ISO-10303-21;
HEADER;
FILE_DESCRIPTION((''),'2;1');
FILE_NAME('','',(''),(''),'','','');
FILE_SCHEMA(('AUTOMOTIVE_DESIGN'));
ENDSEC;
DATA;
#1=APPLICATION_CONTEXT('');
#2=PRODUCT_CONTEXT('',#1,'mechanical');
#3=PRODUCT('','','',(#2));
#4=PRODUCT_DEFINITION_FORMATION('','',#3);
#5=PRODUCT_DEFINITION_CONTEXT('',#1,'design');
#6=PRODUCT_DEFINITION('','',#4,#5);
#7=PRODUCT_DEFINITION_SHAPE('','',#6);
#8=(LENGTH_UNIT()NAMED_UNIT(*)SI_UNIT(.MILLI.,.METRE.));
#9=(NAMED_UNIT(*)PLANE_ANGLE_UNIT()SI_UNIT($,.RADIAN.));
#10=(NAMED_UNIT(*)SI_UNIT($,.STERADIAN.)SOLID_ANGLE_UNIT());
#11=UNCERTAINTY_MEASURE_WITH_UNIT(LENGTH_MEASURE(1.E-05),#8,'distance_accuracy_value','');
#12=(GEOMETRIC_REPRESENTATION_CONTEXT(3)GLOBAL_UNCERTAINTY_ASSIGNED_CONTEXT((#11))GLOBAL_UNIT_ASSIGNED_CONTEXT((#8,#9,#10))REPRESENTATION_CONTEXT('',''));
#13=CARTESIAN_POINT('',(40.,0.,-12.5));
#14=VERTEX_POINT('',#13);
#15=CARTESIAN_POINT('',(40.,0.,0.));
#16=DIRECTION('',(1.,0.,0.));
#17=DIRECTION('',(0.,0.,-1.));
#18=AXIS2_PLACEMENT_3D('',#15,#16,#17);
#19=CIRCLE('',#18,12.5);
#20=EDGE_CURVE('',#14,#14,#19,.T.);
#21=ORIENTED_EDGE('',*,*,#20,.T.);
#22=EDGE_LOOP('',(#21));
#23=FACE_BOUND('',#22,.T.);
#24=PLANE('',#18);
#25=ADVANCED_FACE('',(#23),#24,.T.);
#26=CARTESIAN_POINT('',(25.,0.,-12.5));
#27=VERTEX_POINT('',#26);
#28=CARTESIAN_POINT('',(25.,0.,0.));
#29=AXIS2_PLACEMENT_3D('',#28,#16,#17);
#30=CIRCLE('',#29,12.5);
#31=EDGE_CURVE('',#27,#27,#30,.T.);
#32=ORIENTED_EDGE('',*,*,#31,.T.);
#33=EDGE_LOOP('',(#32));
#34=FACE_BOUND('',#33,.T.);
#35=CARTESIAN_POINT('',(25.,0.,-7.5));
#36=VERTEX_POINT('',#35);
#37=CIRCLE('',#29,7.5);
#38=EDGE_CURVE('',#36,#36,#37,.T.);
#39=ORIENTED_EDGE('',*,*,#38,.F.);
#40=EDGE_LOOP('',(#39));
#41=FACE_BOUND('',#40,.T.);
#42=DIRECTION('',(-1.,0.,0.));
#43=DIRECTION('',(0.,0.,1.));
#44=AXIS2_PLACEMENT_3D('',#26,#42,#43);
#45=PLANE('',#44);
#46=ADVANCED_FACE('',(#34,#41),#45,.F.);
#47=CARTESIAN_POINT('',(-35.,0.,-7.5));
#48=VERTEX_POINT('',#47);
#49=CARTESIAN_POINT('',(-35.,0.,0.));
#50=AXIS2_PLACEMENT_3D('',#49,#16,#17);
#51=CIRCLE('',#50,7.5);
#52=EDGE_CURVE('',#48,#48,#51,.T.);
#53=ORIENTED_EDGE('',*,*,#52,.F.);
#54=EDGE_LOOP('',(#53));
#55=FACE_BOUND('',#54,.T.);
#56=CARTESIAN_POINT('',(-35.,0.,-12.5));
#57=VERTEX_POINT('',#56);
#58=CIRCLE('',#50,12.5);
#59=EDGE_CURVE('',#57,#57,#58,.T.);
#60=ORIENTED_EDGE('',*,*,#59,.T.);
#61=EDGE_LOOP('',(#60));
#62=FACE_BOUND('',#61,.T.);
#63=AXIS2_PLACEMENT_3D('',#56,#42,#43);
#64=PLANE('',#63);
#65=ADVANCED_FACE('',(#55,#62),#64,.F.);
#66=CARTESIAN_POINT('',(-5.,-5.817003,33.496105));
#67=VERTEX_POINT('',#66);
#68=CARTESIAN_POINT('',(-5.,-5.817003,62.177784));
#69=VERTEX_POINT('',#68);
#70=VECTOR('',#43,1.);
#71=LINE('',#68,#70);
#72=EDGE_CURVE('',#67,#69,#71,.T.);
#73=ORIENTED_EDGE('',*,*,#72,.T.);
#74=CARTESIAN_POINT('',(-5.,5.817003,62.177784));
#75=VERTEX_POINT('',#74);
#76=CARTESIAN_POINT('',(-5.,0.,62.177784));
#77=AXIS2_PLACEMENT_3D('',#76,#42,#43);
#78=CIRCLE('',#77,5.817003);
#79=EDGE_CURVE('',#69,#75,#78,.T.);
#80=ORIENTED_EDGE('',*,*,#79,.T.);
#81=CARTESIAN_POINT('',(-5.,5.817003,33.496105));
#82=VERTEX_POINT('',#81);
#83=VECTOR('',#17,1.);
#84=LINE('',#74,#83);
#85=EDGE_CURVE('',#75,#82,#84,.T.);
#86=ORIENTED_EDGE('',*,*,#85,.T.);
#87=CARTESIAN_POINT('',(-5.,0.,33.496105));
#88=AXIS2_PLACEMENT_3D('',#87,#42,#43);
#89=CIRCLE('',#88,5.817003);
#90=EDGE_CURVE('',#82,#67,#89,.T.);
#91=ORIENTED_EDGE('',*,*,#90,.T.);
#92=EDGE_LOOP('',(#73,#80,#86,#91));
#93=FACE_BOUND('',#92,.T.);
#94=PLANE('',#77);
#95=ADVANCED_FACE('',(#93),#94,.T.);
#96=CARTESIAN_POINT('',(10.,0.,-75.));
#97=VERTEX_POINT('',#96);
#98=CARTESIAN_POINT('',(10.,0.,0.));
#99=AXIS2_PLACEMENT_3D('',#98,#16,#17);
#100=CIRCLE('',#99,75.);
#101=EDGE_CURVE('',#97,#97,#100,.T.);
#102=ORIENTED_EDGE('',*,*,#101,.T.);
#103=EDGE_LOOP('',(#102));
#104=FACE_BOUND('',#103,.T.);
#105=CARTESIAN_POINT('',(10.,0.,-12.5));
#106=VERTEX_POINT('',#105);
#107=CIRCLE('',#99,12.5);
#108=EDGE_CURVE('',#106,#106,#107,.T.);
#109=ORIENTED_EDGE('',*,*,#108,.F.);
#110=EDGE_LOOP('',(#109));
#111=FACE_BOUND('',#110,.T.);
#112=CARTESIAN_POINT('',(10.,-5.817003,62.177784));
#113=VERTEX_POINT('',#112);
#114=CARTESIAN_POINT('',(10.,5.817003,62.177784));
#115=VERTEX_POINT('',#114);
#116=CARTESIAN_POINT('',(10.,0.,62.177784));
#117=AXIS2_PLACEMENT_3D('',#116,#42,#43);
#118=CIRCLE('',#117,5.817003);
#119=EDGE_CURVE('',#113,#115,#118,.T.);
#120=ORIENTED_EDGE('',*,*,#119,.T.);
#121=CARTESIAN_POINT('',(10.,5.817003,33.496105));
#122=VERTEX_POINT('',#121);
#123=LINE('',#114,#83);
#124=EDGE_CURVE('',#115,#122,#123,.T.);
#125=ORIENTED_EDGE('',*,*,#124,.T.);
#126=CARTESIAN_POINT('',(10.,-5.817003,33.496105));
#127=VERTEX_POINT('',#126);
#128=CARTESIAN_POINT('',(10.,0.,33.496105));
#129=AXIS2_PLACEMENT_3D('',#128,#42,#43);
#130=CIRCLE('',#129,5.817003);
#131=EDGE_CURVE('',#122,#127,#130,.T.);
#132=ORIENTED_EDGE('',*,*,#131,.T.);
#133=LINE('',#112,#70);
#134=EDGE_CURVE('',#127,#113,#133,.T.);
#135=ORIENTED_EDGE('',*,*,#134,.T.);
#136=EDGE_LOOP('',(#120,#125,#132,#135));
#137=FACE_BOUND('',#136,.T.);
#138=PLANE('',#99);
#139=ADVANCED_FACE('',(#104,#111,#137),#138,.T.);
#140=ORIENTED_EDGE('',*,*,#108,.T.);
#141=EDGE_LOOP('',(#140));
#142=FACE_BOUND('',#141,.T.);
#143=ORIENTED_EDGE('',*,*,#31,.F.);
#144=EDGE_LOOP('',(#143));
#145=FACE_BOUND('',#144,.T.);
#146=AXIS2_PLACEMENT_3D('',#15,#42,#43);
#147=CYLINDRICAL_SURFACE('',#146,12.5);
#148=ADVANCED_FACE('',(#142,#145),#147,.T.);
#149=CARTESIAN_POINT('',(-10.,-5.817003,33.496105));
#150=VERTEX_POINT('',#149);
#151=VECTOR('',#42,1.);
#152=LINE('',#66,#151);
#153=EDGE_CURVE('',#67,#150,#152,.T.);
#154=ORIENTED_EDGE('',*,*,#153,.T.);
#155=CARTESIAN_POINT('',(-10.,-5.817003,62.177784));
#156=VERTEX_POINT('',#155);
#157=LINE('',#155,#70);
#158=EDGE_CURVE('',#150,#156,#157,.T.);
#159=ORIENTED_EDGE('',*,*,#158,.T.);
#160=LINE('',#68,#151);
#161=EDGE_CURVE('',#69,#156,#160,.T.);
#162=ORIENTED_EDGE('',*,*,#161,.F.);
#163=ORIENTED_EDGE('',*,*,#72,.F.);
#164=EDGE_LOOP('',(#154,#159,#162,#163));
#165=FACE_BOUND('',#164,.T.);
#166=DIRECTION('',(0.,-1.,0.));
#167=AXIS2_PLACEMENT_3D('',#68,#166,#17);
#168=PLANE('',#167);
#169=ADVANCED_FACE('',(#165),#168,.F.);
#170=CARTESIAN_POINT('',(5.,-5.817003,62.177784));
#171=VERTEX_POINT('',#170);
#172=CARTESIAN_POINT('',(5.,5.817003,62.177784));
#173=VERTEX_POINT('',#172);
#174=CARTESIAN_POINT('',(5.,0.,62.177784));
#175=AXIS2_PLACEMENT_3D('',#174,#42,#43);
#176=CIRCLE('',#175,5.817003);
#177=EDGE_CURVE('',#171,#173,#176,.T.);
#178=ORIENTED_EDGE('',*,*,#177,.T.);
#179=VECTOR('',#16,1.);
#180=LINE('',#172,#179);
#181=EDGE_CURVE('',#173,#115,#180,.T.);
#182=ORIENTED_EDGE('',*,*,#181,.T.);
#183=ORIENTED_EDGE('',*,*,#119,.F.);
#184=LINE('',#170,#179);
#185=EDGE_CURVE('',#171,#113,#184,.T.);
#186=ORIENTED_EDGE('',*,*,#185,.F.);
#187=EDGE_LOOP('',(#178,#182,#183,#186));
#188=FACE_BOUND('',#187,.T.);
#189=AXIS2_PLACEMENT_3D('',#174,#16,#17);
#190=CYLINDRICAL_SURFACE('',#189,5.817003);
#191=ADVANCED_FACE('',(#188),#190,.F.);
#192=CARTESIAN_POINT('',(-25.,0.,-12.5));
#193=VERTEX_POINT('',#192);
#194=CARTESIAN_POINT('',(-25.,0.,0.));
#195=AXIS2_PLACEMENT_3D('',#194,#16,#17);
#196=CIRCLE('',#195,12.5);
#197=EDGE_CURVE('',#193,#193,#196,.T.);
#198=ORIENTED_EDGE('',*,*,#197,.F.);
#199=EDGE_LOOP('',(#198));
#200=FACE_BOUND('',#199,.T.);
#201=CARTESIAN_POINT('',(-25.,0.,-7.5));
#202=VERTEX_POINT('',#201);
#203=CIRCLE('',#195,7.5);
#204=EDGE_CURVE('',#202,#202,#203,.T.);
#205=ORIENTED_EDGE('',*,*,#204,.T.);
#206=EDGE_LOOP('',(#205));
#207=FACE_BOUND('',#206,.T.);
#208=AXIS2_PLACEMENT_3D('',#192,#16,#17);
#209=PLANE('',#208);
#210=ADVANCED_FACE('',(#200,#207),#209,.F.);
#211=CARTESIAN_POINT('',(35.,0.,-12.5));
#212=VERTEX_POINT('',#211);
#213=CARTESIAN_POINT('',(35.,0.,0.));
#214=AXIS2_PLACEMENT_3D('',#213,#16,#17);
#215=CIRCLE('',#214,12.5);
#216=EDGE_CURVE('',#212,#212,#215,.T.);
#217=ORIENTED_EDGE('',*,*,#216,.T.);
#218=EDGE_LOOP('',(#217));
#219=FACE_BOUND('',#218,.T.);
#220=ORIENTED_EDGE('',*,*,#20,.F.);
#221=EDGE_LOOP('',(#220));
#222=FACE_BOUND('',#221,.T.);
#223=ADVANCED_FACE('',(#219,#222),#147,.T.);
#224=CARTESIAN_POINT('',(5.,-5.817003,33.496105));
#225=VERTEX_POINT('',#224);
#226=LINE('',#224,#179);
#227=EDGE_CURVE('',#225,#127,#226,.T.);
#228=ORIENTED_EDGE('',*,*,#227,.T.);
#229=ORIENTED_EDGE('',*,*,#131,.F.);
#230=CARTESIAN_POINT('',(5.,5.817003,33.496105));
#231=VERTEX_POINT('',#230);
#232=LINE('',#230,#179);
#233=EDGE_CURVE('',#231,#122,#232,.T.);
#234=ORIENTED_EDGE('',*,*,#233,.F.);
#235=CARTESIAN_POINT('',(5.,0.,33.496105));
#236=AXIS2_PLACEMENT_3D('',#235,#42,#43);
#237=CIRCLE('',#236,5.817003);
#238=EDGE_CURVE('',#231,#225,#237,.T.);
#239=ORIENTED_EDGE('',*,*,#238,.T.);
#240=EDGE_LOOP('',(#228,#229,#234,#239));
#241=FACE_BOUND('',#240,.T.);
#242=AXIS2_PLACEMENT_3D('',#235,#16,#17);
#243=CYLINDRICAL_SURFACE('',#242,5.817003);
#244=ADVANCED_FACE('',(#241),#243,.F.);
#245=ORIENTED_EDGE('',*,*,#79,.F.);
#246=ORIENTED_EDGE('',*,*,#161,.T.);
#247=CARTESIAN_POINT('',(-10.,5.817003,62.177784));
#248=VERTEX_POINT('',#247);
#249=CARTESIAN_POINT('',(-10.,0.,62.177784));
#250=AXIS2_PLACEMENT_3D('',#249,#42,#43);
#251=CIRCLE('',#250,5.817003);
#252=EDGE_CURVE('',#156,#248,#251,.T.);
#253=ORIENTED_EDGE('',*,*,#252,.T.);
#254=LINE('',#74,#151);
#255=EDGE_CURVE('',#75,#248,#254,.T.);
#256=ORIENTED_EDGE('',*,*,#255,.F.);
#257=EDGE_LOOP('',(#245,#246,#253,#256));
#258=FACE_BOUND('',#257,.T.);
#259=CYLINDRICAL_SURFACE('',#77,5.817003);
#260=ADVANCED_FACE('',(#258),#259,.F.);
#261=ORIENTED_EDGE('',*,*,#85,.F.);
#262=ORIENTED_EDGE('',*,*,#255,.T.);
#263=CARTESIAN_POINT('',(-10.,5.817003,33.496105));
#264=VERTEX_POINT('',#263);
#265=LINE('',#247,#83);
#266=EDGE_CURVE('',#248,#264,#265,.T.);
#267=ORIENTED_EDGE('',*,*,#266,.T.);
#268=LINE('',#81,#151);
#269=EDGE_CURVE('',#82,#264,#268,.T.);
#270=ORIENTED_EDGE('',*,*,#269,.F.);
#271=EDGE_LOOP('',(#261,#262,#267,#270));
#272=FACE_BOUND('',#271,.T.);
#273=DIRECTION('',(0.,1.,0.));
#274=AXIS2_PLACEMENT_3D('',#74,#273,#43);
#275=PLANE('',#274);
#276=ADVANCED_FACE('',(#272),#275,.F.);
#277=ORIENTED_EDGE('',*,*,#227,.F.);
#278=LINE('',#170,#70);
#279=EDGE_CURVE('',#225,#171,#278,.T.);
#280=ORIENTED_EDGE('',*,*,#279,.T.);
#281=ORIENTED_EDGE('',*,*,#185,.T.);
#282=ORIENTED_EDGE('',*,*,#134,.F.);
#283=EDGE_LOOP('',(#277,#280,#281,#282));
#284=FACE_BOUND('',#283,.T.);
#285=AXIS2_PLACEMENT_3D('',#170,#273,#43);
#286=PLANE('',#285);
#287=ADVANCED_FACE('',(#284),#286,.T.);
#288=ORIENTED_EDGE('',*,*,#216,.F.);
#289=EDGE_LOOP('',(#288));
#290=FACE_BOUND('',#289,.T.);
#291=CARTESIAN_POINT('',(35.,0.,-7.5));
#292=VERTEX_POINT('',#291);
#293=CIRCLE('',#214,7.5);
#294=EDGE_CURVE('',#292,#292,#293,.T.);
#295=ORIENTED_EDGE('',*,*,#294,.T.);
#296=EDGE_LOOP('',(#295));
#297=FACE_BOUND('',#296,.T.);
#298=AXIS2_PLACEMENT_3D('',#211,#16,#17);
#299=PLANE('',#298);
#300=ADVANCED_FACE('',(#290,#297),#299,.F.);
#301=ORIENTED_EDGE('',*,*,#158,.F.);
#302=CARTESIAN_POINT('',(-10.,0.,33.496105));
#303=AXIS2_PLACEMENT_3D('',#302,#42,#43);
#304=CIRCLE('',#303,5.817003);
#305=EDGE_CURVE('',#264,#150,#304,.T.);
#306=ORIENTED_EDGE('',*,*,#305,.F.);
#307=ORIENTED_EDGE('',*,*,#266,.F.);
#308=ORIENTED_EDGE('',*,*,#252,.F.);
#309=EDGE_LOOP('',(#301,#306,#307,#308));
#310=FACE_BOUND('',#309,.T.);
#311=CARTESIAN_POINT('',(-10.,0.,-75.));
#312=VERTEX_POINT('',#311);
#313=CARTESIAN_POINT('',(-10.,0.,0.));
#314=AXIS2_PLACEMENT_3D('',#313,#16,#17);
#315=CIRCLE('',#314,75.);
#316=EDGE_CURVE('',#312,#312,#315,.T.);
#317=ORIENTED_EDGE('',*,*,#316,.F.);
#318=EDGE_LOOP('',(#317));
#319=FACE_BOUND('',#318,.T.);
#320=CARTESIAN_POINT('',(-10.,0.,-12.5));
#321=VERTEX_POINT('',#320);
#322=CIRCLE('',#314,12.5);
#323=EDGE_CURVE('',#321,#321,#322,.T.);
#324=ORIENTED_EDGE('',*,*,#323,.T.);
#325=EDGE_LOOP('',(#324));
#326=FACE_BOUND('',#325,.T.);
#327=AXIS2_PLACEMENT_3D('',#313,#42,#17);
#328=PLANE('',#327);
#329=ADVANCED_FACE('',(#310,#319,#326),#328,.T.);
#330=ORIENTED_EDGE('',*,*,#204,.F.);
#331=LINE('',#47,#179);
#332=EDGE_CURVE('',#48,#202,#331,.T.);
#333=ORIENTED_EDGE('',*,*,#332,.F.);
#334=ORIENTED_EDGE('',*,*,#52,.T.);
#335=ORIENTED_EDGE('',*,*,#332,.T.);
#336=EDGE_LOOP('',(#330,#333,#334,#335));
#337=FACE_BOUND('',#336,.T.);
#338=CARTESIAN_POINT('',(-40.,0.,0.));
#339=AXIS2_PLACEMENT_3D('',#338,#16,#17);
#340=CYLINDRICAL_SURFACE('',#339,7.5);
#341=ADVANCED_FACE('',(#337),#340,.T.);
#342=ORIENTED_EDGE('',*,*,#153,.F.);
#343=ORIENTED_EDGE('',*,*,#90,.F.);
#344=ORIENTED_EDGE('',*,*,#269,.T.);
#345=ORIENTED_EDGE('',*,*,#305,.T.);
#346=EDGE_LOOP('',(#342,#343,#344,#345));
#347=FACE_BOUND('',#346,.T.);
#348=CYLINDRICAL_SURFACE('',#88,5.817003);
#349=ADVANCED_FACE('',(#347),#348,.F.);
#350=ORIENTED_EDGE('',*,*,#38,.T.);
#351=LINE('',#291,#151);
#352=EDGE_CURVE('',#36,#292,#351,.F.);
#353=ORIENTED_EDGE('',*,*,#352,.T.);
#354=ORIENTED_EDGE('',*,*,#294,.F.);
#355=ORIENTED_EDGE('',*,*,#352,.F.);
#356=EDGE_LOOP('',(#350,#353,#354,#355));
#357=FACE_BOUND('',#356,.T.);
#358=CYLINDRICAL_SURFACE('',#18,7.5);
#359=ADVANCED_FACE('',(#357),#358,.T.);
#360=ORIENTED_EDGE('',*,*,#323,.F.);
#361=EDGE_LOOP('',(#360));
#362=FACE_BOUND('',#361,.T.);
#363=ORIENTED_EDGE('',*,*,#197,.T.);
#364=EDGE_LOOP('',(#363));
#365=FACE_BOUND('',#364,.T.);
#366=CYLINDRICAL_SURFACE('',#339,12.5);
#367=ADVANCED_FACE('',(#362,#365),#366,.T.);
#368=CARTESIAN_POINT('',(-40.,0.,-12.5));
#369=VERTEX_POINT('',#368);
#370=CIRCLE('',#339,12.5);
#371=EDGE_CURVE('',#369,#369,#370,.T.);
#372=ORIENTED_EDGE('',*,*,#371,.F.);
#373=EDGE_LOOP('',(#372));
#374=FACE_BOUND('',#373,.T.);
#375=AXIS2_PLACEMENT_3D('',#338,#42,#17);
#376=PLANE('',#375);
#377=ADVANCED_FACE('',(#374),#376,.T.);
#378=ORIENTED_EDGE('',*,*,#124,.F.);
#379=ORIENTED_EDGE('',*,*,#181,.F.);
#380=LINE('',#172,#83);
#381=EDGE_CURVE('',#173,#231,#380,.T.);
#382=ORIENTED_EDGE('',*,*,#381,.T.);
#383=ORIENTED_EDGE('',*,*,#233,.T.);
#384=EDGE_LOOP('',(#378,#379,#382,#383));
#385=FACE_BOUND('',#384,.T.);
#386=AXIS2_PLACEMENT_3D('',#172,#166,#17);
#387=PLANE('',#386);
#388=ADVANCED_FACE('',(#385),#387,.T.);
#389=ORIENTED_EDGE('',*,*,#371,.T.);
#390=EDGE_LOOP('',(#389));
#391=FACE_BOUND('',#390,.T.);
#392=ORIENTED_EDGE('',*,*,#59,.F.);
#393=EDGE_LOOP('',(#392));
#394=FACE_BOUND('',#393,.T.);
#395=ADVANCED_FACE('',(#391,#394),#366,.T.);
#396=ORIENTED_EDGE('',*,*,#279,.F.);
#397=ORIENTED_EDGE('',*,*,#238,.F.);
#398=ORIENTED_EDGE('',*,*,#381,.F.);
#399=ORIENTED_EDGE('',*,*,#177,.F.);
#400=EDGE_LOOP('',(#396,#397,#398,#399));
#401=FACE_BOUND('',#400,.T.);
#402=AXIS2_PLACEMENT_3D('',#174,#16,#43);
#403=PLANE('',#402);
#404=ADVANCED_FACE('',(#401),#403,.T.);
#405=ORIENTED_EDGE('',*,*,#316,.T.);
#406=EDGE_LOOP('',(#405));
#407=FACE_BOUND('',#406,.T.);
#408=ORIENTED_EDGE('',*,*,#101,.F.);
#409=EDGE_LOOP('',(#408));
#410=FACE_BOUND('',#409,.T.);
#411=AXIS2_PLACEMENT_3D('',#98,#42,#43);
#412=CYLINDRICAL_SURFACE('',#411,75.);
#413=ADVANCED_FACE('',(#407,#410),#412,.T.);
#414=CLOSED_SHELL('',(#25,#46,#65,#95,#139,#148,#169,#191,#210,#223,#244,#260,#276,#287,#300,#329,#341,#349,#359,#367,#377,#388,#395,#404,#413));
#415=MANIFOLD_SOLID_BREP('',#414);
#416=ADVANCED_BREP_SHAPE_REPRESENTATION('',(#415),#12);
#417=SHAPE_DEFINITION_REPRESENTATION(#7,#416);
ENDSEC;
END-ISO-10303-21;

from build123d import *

# Parameters (mm, degrees)
SKETCH_1_R          = 75
EXTRUDE_1_DEPTH     = 10
SKETCH_2_R          = 12.5
EXTRUDE_2_DEPTH     = 30
SKETCH_3_W          = 10
SKETCH_3_H          = 5
CUT_EXTRUDE_1_DEPTH = 5


with BuildPart() as part:
    # 草图1 → 凸台-拉伸1 (new body)
    with BuildSketch(Plane(origin=(0, 0, 0), x_dir=(0, 0, -1), z_dir=(1, 0, 0))):
        Circle(SKETCH_1_R)
    extrude_1 = extrude(amount=EXTRUDE_1_DEPTH)

    # 草图2 → 凸台-拉伸2 (add)
    with BuildSketch(Plane(origin=(10, 0, 0), x_dir=(0, 0, -1), z_dir=(1, 0, 0))):
        Circle(SKETCH_2_R)
    extrude_2 = extrude(amount=EXTRUDE_2_DEPTH)

    # 镜向1: 凸台-拉伸1, 凸台-拉伸2 across plane
    add(extrude_1.mirror(Plane(origin=(0, 0, 0), x_dir=(0, 0, 1), z_dir=(1, 0, 0))))
    add(extrude_2.mirror(Plane(origin=(0, 0, 0), x_dir=(0, 0, 1), z_dir=(1, 0, 0))))

    # 切除-扫描1: sweep along a curve in space
    with BuildLine() as sweep_1_path:
        ThreePointArc((-40, 0, -12.5), (-40, 8.838834765, -8.838834765), (-40, 12.5, 0))
        ThreePointArc((-40, 12.5, 0), (-40, 8.838834765, 8.838834765), (-40, 0, 12.5))
        ThreePointArc((-40, 0, 12.5), (-40, -8.838834765, 8.838834765), (-40, -12.5, 0))
        ThreePointArc((-40, -12.5, 0), (-40, -8.838834765, -8.838834765), (-40, 0, -12.5))
    # 草图3 → 切除-扫描1 (sweep, cut)
    with BuildSketch(Plane(origin=(0, 0, 0), x_dir=(1, 0, 0), z_dir=(0, 1, 0))):
        with Locations((-30, 10)):
            Rectangle(SKETCH_3_W, SKETCH_3_H)
    sweep_1 = sweep(path=sweep_1_path.line, mode=Mode.SUBTRACT)

    # 镜向2: 切除-扫描1 across plane
    add(sweep_1.mirror(Plane(origin=(0, 0, 0), x_dir=(0, 0, 1), z_dir=(1, 0, 0))), mode=Mode.SUBTRACT)

    # 草图5 → 切除-拉伸1 (cut)
    with BuildSketch(Plane.ZY.offset(10)):
        with BuildLine():
            Line((62.177784285, -5.817003296), (33.496104549, -5.817003296))
            ThreePointArc((33.496104549, -5.817003296), (27.679101253, 0), (33.496104549, 5.817003296))
            Line((33.496104549, 5.817003296), (62.177784285, 5.817003296))
            ThreePointArc((62.177784285, 5.817003296), (67.994787582, 0), (62.177784285, -5.817003296))
        make_face()
    cut_extrude_1 = extrude(amount=-CUT_EXTRUDE_1_DEPTH, mode=Mode.SUBTRACT)

    # 镜向3: 切除-拉伸1 across plane
    add(cut_extrude_1.mirror(Plane(origin=(0, 0, 0), x_dir=(0, 0, 1), z_dir=(1, 0, 0))), mode=Mode.SUBTRACT)


solid = part.part
